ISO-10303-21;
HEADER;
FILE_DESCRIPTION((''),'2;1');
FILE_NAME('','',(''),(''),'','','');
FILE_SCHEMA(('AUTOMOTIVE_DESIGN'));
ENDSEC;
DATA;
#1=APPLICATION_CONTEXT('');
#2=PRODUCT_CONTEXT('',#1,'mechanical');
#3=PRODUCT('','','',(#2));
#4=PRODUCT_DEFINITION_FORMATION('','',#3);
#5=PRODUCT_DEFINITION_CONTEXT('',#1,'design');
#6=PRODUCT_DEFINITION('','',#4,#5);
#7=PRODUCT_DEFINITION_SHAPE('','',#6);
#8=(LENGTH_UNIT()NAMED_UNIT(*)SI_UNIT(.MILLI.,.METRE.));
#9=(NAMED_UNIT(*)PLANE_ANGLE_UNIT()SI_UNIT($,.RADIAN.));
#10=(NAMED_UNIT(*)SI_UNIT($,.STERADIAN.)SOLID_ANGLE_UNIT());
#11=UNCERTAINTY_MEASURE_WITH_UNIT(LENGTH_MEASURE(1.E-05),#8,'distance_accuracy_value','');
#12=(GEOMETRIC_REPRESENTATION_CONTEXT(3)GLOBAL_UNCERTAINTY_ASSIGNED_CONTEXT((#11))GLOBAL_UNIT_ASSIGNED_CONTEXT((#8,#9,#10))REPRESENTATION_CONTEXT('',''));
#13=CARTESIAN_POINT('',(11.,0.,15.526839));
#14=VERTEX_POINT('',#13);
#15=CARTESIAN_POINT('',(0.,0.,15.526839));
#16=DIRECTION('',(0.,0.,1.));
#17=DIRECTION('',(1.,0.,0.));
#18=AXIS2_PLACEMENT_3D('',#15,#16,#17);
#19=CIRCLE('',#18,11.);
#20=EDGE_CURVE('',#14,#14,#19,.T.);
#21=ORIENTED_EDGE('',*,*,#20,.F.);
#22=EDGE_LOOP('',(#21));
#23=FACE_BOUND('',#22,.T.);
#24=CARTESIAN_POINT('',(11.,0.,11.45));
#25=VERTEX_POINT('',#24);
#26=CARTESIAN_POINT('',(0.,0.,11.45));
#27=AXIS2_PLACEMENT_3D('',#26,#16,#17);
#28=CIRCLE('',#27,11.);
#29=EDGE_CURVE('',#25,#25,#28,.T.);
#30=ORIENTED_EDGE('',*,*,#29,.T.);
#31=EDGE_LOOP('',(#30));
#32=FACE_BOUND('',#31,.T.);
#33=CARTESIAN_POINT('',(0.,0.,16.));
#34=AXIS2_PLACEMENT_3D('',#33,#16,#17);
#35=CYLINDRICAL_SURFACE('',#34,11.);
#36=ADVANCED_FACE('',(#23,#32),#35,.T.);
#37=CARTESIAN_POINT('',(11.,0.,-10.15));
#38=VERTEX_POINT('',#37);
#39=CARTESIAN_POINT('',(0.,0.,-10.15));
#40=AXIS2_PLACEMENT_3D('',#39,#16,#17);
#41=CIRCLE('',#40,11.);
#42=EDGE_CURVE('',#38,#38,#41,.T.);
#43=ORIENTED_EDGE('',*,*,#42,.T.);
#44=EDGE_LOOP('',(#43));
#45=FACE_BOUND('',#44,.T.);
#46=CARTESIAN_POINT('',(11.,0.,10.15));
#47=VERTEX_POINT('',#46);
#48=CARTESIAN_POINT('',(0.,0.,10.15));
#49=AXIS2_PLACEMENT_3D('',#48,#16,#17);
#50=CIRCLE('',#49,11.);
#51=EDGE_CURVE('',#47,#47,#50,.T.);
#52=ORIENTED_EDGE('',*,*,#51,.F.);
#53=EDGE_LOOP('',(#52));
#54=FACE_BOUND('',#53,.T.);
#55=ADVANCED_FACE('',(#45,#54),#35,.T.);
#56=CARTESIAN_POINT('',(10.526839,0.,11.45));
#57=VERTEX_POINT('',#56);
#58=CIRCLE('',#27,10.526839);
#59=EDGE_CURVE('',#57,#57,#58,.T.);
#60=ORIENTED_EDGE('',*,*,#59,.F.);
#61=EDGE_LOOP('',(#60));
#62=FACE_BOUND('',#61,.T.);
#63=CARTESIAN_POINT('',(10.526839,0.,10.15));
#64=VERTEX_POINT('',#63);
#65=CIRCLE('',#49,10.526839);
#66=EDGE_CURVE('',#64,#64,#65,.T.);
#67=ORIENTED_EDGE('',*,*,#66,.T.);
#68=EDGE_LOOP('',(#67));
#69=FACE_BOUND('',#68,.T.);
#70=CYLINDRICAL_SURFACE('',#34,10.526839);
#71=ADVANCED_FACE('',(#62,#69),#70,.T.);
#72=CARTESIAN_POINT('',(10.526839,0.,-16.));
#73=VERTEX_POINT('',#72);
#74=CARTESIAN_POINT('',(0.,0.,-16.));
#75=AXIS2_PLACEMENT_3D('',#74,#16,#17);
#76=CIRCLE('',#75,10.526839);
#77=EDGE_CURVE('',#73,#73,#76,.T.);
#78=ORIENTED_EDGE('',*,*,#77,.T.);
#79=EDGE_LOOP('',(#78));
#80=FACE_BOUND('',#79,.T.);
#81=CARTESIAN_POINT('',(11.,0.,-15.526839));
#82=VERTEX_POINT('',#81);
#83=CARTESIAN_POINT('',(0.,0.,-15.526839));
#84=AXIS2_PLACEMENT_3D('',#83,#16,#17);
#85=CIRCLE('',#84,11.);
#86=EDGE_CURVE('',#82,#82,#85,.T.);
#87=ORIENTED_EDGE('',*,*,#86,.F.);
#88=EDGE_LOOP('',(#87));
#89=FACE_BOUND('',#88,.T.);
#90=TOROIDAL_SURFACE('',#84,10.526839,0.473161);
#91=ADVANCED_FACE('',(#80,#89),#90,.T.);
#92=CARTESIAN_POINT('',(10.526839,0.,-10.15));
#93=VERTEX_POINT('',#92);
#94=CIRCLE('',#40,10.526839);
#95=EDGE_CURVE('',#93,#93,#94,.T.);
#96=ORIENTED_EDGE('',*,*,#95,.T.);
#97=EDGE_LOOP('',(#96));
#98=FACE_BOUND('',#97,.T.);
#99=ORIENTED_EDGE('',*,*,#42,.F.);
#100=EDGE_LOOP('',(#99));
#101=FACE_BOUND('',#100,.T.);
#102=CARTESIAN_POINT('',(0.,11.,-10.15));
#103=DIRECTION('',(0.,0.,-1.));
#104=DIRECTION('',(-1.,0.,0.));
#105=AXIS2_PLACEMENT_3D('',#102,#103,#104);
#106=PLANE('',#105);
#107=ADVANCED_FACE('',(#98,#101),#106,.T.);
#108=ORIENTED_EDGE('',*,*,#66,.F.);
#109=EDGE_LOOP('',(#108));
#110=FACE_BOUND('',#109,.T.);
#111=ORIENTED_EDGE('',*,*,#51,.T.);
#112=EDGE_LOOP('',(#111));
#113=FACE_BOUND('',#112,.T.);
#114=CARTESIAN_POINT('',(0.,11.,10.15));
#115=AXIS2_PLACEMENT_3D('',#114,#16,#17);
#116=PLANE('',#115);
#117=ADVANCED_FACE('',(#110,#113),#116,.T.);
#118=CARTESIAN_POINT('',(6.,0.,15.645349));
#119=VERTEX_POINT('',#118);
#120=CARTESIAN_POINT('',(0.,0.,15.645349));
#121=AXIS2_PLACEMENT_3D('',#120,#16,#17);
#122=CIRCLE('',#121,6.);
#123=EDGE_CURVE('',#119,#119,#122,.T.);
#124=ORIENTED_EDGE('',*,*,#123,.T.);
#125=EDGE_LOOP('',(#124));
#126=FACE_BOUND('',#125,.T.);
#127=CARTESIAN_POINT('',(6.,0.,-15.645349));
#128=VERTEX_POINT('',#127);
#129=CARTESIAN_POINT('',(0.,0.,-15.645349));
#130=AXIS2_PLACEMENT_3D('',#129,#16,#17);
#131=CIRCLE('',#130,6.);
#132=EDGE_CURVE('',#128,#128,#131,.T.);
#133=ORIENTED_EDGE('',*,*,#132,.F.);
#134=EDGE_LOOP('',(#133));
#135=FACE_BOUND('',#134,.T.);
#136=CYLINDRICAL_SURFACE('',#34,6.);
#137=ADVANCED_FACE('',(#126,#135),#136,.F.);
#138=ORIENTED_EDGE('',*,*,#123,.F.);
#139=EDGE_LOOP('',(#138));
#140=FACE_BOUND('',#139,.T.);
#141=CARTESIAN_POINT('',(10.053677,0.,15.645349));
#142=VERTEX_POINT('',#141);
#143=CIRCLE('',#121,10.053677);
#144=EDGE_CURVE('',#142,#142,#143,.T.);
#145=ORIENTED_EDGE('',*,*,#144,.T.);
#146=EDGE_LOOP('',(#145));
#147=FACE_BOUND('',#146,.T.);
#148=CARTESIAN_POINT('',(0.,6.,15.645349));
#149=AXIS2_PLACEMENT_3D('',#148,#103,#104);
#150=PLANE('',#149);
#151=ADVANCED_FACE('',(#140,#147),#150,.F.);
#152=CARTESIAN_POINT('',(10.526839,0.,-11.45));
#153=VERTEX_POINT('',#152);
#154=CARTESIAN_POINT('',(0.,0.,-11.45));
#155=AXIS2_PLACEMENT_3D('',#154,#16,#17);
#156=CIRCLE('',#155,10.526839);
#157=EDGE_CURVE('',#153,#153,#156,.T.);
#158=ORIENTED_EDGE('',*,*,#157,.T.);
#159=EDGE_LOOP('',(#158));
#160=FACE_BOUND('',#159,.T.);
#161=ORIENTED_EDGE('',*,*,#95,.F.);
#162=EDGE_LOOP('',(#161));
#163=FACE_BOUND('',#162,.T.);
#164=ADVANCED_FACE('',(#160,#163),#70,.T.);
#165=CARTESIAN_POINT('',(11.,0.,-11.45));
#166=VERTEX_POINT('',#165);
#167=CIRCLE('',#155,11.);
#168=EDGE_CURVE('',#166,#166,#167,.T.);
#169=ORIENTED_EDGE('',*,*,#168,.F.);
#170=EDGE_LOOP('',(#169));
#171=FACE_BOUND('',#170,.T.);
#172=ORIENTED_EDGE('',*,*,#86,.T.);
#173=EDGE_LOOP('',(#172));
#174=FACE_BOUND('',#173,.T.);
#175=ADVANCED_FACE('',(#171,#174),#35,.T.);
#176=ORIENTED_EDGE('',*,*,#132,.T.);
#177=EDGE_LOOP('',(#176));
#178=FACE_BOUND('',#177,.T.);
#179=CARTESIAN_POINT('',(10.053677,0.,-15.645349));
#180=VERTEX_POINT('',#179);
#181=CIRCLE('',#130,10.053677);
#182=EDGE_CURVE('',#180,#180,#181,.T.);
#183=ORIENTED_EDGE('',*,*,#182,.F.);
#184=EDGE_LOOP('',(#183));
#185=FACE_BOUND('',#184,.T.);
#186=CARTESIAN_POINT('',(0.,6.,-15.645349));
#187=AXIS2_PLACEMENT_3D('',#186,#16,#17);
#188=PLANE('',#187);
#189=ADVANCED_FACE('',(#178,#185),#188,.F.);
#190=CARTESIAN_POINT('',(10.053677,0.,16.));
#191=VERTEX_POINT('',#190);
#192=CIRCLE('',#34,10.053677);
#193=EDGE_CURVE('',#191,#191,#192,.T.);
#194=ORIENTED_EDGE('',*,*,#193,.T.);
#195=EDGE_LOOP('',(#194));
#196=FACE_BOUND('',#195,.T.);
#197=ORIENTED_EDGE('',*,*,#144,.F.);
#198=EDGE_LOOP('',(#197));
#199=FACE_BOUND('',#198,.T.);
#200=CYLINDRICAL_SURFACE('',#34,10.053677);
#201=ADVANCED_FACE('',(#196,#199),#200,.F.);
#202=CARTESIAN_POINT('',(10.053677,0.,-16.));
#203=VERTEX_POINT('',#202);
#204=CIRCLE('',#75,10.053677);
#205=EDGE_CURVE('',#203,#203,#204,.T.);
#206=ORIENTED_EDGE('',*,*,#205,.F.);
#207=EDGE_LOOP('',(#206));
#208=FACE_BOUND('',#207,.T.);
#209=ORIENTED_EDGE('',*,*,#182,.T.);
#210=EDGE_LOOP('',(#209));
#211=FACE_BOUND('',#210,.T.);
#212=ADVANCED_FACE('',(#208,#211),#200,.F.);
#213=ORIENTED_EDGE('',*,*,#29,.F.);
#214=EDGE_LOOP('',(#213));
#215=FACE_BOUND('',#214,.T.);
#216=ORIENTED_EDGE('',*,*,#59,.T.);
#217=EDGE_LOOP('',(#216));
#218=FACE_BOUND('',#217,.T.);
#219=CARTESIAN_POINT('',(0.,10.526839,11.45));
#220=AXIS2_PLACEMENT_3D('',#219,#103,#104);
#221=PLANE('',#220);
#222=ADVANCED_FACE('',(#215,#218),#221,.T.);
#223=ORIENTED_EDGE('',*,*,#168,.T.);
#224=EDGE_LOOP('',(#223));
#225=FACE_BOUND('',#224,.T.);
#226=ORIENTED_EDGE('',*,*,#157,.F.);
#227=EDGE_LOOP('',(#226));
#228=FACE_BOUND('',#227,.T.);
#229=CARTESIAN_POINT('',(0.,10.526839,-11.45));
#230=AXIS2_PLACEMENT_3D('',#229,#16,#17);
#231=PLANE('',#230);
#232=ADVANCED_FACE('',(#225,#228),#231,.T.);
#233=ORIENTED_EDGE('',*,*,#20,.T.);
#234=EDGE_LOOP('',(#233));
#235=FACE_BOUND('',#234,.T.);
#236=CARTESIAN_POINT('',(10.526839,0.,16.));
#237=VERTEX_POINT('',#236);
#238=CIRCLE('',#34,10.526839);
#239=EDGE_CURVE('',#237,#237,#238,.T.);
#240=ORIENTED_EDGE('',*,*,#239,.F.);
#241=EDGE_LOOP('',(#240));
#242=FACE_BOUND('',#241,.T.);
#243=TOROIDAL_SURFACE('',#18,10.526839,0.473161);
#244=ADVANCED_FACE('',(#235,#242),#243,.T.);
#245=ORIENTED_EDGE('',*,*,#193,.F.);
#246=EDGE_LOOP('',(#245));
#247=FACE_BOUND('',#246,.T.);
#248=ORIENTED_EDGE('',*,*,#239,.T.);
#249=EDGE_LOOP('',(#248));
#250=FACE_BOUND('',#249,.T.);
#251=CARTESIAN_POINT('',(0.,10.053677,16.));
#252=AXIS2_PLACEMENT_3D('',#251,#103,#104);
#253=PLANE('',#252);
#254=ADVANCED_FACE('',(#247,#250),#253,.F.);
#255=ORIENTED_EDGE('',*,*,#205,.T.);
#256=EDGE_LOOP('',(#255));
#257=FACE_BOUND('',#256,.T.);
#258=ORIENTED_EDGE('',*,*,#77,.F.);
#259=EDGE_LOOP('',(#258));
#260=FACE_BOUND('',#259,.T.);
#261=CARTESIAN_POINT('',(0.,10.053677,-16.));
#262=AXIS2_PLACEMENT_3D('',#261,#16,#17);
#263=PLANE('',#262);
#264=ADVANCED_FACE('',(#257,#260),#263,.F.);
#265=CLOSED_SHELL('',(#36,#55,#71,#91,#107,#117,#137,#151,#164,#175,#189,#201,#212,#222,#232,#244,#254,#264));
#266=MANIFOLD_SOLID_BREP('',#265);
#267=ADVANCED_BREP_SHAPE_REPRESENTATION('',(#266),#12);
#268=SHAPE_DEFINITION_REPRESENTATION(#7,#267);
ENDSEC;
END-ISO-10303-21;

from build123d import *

# Parameters (mm, degrees)
SKETCH3_W = 1.3
SKETCH3_H = 0.473161305


with BuildPart() as part:
    # Sketch2 → Body (revolve)
    with BuildSketch(Plane(origin=(0, 0, 0), x_dir=(0, 0, -1), z_dir=(1, 0, 0))):
        with BuildLine():
            Line((-15.645349183, 10.053677391), (-16, 10.053677391))
            Line((-16, 10.053677391), (-16, 10.526838695))
            ThreePointArc((-16, 10.526838695), (-15.861414262, 10.861414262), (-15.526838695, 11))
            Line((-15.526838695, 11), (15.526838695, 11))
            ThreePointArc((15.526838695, 11), (15.861414262, 10.861414262), (16, 10.526838695))
            Line((16, 10.526838695), (16, 10.053677391))
            Line((16, 10.053677391), (15.645349183, 10.053677391))
            Line((15.645349183, 10.053677391), (15.645349183, 6))
            Line((15.645349183, 6), (-15.645349183, 6))
            Line((-15.645349183, 6), (-15.645349183, 10.053677391))
        make_face()
    revolve(axis=Axis((0, 0, 16), (0, 0, -1)))

    # Sketch3 → Track (revolve, cut)
    with BuildSketch(Plane(origin=(0, 0, 0), x_dir=(0, 0, -1), z_dir=(1, 0, 0))):
        with Locations((10.8, 10.763419348)):
            Rectangle(SKETCH3_W, SKETCH3_H)
        with Locations((-10.8, 10.763419348)):
            Rectangle(SKETCH3_W, SKETCH3_H)
    revolve(axis=Axis((0, 0, 16), (0, 0, -1)), mode=Mode.SUBTRACT)


solid = part.part
